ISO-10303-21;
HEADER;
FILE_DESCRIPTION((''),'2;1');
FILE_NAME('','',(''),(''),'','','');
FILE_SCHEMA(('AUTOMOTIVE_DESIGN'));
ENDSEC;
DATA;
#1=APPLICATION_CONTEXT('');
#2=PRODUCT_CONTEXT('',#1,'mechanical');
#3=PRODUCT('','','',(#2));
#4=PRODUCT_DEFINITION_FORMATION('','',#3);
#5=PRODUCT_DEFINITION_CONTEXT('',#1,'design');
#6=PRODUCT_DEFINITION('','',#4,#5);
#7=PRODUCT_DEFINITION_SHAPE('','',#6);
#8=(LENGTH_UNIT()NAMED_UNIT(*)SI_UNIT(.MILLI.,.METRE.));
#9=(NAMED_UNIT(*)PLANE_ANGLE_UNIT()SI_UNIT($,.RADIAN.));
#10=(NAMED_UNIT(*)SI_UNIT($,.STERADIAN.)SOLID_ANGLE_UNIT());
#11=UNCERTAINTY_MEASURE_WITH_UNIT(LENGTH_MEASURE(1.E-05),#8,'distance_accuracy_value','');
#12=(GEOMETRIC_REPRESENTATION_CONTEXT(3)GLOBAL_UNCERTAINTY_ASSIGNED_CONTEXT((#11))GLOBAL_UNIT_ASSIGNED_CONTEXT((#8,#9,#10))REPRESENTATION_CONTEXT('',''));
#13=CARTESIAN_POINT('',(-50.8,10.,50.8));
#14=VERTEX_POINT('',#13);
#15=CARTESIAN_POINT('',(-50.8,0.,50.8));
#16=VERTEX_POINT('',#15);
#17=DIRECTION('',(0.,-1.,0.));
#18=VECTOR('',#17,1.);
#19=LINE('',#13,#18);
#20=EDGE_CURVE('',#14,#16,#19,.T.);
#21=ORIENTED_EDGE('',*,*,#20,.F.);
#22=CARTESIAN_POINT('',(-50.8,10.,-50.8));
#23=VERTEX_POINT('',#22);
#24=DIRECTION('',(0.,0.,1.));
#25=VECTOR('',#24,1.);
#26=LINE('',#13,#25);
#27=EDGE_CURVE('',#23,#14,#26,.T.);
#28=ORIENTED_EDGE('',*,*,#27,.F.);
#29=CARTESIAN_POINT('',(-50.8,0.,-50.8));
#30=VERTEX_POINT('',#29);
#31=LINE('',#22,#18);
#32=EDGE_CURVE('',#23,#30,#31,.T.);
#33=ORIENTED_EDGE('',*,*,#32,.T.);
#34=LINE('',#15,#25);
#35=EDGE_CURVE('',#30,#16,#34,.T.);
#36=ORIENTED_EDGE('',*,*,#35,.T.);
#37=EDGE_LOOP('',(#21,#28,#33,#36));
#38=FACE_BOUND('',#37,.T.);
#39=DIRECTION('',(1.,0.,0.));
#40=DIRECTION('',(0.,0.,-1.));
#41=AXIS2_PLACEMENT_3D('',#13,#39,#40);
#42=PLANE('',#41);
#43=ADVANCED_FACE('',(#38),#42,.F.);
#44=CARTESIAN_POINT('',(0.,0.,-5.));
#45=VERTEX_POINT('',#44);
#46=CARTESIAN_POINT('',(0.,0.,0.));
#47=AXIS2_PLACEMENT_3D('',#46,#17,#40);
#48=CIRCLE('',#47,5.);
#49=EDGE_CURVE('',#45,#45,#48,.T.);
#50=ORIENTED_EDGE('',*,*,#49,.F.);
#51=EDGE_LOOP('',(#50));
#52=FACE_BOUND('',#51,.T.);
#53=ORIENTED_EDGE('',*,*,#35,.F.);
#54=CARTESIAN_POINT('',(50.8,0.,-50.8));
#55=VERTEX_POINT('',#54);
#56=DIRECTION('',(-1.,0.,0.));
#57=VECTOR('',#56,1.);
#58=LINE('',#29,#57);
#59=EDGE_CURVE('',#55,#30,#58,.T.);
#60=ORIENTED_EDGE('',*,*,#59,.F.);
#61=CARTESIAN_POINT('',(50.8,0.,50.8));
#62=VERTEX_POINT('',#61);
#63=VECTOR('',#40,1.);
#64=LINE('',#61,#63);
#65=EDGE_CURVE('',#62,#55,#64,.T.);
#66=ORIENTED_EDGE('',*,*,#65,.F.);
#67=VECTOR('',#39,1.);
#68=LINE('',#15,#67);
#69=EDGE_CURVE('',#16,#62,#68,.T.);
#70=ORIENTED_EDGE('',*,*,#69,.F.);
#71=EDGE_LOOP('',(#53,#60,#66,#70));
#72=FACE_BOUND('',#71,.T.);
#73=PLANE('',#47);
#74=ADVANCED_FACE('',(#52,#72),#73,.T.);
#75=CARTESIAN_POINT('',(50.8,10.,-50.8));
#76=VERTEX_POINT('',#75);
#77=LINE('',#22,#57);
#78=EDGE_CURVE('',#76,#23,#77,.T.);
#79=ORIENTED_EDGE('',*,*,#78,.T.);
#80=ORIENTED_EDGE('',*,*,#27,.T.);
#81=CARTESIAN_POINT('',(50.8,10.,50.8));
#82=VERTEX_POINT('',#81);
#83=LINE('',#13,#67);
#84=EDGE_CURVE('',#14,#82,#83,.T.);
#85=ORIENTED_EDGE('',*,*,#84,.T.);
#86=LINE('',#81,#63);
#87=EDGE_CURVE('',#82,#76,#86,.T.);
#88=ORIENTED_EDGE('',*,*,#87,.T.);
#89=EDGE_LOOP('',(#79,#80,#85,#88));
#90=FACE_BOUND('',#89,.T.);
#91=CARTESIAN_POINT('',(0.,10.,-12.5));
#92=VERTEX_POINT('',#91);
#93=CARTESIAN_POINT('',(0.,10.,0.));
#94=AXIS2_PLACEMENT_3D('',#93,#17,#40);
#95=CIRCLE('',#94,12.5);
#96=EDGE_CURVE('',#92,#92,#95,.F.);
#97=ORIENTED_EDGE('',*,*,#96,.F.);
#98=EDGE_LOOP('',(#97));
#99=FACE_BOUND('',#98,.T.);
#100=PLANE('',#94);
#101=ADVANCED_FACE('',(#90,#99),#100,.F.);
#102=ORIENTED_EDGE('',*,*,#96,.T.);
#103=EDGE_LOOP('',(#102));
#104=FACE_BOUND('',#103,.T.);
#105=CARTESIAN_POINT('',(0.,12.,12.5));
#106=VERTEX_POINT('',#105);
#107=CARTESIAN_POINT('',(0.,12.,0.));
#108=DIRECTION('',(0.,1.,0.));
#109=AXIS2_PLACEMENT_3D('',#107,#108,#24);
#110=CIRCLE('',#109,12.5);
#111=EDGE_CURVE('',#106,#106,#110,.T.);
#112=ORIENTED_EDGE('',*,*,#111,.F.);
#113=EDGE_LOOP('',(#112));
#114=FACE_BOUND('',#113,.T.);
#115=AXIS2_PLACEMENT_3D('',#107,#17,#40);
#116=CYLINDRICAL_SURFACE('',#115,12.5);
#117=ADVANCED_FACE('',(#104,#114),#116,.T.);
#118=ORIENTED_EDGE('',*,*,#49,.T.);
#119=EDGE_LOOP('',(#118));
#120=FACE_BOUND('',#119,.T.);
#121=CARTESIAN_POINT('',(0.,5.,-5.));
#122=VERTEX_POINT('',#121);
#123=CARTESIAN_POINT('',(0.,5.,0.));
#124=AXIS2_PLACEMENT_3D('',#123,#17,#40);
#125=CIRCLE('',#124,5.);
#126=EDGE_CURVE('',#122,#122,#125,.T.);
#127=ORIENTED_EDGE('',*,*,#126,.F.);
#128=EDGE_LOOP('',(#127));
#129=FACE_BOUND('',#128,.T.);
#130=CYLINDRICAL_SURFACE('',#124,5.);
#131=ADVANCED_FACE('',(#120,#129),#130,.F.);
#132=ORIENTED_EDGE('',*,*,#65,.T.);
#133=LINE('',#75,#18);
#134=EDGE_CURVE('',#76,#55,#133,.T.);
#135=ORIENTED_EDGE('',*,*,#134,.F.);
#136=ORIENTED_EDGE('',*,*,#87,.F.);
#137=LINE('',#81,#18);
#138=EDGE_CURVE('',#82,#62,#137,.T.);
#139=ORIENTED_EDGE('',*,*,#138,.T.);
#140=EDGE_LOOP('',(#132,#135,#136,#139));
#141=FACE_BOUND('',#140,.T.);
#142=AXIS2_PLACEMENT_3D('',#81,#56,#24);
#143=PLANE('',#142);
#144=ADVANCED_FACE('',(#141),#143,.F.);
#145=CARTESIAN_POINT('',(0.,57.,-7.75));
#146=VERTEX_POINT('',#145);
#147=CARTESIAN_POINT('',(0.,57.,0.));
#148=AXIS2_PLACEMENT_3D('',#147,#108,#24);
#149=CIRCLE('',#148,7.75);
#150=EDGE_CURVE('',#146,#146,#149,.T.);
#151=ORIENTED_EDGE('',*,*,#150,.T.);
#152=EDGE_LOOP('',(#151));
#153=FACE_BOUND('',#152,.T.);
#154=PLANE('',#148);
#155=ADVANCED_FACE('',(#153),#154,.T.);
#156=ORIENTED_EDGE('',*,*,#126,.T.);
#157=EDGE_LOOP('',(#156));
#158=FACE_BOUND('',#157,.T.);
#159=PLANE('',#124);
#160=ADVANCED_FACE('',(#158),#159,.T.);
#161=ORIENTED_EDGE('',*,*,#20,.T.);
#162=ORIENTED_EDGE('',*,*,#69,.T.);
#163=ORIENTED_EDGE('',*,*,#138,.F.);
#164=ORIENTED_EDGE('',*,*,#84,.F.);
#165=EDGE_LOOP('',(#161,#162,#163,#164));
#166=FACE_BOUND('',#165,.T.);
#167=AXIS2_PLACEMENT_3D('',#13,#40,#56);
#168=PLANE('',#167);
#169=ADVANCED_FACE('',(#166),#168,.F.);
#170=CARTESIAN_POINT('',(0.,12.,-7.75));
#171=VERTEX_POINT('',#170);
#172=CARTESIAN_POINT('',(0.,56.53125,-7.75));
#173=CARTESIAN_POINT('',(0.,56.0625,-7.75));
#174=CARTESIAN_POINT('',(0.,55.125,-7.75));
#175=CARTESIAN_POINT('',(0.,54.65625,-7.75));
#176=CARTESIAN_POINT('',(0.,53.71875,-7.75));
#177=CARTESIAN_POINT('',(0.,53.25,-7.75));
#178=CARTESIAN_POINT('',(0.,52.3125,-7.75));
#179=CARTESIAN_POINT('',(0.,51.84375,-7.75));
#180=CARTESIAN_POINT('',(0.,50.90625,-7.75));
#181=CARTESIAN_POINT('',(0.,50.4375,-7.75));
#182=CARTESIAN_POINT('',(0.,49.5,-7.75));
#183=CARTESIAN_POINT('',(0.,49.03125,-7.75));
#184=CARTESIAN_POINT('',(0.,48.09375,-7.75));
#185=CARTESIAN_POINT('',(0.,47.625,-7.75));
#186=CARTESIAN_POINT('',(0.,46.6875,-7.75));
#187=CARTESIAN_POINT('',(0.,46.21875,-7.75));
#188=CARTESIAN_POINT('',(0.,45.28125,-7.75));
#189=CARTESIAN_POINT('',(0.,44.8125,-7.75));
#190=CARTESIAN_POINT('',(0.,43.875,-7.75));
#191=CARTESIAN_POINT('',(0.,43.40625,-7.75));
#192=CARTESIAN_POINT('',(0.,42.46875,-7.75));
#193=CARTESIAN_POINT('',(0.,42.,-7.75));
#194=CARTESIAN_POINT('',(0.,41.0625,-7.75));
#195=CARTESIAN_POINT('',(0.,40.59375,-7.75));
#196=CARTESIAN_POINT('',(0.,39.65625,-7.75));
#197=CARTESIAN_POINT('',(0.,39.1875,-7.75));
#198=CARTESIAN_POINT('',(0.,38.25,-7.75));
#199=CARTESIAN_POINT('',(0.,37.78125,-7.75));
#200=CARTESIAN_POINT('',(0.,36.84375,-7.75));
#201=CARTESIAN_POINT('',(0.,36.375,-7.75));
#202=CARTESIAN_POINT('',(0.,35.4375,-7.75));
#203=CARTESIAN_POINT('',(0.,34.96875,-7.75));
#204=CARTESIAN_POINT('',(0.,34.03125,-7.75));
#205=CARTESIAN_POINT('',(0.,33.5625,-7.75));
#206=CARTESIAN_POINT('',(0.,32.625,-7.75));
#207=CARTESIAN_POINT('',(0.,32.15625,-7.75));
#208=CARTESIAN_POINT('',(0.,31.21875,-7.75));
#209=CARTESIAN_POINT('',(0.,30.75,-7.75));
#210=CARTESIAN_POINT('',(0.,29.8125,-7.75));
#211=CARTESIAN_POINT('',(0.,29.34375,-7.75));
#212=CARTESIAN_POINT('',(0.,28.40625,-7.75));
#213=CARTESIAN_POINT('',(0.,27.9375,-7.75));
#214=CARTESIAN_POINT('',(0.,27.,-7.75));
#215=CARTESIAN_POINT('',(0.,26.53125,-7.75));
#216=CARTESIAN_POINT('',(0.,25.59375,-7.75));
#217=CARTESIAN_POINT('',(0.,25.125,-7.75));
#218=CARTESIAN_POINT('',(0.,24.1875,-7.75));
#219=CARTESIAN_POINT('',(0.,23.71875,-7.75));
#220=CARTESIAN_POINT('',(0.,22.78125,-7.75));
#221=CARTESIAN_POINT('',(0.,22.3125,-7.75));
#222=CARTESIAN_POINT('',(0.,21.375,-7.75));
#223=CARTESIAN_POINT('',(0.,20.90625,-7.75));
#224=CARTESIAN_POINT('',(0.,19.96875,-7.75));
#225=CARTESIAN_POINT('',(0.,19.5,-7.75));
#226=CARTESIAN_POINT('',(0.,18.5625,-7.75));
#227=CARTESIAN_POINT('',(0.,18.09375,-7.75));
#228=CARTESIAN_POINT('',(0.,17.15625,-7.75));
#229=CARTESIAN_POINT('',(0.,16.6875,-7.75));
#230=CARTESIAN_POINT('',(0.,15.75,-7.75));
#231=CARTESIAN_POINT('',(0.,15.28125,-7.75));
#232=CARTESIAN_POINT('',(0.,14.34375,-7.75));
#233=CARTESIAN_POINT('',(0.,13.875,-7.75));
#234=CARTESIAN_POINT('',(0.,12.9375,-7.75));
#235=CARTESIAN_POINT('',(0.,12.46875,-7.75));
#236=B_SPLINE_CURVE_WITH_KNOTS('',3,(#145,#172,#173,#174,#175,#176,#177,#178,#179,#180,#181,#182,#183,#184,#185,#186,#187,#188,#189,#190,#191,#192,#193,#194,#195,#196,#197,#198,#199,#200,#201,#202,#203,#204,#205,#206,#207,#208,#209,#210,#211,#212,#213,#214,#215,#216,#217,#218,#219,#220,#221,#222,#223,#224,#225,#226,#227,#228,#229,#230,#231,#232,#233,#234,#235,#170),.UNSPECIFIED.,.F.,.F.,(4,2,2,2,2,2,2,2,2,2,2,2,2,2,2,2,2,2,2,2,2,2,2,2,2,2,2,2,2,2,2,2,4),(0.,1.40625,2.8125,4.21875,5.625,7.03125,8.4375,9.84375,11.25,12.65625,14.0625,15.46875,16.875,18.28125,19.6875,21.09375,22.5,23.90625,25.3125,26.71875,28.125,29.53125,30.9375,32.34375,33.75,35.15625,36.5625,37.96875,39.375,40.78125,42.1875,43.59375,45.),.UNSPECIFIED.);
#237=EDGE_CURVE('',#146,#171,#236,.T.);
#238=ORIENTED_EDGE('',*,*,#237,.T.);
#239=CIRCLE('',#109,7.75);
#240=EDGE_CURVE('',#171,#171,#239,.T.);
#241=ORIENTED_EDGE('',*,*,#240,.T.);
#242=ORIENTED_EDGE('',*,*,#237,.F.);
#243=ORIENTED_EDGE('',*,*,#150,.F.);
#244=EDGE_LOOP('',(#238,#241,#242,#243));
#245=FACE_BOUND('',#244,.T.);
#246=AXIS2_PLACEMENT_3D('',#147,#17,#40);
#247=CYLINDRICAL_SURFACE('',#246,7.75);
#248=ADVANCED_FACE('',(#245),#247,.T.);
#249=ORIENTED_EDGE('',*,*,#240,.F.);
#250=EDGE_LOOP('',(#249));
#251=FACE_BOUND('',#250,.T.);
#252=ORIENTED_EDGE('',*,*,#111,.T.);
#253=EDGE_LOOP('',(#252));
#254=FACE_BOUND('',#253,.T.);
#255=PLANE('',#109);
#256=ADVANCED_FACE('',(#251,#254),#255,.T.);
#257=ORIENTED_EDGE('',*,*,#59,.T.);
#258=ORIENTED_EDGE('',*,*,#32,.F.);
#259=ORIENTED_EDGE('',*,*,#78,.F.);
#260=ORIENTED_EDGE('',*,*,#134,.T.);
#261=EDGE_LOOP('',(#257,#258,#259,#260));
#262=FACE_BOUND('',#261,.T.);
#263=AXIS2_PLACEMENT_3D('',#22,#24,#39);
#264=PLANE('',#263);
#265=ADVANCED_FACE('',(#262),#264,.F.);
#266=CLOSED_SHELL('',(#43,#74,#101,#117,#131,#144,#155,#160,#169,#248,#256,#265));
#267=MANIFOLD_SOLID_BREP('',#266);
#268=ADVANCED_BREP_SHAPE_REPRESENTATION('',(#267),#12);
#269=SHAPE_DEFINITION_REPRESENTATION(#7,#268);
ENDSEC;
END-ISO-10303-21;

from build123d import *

# Parameters (mm, degrees)
SKETCH1_W           = 101.6
SKETCH1_H           = 101.6
BOSS_EXTRUDE1_DEPTH = 10
SKETCH2_R           = 5
CUT_EXTRUDE1_DEPTH  = 5
SKETCH3_R           = 12.5
BOSS_EXTRUDE2_DEPTH = 2
SKETCH4_R           = 7.75
BOSS_EXTRUDE3_DEPTH = 45


with BuildPart() as part:
    # Sketch1 → Boss-Extrude1 (new body)
    with BuildSketch(Plane(origin=(0, 0, 0), x_dir=(1, 0, 0), z_dir=(0, 1, 0))):
        Rectangle(SKETCH1_W, SKETCH1_H)
    extrude(amount=BOSS_EXTRUDE1_DEPTH)

    # Sketch2 → Cut-Extrude1 (cut)
    with BuildSketch(Plane(origin=(0, 0, 0), x_dir=(-1, 0, 0), z_dir=(0, -1, 0))):
        with Locations(Location((0, 0, 0), (0, 0, 90))):
            Circle(SKETCH2_R)
    extrude(amount=-CUT_EXTRUDE1_DEPTH, mode=Mode.SUBTRACT)

    # Sketch3 → Boss-Extrude2 (add)
    with BuildSketch(Plane(origin=(0, 10, 0), x_dir=(1, 0, 0), z_dir=(0, 1, 0))):
        with Locations(Location((0, 0, 0), (0, 0, 90))):
            Circle(SKETCH3_R)
    extrude(amount=BOSS_EXTRUDE2_DEPTH)

    # Sketch4 → Boss-Extrude3 (add)
    with BuildSketch(Plane(origin=(0, 12, 0), x_dir=(1, 0, 0), z_dir=(0, 1, 0))):
        with Locations(Location((0, 0, 0), (0, 0, 90))):
            Circle(SKETCH4_R)
    extrude(amount=BOSS_EXTRUDE3_DEPTH)


solid = part.part
